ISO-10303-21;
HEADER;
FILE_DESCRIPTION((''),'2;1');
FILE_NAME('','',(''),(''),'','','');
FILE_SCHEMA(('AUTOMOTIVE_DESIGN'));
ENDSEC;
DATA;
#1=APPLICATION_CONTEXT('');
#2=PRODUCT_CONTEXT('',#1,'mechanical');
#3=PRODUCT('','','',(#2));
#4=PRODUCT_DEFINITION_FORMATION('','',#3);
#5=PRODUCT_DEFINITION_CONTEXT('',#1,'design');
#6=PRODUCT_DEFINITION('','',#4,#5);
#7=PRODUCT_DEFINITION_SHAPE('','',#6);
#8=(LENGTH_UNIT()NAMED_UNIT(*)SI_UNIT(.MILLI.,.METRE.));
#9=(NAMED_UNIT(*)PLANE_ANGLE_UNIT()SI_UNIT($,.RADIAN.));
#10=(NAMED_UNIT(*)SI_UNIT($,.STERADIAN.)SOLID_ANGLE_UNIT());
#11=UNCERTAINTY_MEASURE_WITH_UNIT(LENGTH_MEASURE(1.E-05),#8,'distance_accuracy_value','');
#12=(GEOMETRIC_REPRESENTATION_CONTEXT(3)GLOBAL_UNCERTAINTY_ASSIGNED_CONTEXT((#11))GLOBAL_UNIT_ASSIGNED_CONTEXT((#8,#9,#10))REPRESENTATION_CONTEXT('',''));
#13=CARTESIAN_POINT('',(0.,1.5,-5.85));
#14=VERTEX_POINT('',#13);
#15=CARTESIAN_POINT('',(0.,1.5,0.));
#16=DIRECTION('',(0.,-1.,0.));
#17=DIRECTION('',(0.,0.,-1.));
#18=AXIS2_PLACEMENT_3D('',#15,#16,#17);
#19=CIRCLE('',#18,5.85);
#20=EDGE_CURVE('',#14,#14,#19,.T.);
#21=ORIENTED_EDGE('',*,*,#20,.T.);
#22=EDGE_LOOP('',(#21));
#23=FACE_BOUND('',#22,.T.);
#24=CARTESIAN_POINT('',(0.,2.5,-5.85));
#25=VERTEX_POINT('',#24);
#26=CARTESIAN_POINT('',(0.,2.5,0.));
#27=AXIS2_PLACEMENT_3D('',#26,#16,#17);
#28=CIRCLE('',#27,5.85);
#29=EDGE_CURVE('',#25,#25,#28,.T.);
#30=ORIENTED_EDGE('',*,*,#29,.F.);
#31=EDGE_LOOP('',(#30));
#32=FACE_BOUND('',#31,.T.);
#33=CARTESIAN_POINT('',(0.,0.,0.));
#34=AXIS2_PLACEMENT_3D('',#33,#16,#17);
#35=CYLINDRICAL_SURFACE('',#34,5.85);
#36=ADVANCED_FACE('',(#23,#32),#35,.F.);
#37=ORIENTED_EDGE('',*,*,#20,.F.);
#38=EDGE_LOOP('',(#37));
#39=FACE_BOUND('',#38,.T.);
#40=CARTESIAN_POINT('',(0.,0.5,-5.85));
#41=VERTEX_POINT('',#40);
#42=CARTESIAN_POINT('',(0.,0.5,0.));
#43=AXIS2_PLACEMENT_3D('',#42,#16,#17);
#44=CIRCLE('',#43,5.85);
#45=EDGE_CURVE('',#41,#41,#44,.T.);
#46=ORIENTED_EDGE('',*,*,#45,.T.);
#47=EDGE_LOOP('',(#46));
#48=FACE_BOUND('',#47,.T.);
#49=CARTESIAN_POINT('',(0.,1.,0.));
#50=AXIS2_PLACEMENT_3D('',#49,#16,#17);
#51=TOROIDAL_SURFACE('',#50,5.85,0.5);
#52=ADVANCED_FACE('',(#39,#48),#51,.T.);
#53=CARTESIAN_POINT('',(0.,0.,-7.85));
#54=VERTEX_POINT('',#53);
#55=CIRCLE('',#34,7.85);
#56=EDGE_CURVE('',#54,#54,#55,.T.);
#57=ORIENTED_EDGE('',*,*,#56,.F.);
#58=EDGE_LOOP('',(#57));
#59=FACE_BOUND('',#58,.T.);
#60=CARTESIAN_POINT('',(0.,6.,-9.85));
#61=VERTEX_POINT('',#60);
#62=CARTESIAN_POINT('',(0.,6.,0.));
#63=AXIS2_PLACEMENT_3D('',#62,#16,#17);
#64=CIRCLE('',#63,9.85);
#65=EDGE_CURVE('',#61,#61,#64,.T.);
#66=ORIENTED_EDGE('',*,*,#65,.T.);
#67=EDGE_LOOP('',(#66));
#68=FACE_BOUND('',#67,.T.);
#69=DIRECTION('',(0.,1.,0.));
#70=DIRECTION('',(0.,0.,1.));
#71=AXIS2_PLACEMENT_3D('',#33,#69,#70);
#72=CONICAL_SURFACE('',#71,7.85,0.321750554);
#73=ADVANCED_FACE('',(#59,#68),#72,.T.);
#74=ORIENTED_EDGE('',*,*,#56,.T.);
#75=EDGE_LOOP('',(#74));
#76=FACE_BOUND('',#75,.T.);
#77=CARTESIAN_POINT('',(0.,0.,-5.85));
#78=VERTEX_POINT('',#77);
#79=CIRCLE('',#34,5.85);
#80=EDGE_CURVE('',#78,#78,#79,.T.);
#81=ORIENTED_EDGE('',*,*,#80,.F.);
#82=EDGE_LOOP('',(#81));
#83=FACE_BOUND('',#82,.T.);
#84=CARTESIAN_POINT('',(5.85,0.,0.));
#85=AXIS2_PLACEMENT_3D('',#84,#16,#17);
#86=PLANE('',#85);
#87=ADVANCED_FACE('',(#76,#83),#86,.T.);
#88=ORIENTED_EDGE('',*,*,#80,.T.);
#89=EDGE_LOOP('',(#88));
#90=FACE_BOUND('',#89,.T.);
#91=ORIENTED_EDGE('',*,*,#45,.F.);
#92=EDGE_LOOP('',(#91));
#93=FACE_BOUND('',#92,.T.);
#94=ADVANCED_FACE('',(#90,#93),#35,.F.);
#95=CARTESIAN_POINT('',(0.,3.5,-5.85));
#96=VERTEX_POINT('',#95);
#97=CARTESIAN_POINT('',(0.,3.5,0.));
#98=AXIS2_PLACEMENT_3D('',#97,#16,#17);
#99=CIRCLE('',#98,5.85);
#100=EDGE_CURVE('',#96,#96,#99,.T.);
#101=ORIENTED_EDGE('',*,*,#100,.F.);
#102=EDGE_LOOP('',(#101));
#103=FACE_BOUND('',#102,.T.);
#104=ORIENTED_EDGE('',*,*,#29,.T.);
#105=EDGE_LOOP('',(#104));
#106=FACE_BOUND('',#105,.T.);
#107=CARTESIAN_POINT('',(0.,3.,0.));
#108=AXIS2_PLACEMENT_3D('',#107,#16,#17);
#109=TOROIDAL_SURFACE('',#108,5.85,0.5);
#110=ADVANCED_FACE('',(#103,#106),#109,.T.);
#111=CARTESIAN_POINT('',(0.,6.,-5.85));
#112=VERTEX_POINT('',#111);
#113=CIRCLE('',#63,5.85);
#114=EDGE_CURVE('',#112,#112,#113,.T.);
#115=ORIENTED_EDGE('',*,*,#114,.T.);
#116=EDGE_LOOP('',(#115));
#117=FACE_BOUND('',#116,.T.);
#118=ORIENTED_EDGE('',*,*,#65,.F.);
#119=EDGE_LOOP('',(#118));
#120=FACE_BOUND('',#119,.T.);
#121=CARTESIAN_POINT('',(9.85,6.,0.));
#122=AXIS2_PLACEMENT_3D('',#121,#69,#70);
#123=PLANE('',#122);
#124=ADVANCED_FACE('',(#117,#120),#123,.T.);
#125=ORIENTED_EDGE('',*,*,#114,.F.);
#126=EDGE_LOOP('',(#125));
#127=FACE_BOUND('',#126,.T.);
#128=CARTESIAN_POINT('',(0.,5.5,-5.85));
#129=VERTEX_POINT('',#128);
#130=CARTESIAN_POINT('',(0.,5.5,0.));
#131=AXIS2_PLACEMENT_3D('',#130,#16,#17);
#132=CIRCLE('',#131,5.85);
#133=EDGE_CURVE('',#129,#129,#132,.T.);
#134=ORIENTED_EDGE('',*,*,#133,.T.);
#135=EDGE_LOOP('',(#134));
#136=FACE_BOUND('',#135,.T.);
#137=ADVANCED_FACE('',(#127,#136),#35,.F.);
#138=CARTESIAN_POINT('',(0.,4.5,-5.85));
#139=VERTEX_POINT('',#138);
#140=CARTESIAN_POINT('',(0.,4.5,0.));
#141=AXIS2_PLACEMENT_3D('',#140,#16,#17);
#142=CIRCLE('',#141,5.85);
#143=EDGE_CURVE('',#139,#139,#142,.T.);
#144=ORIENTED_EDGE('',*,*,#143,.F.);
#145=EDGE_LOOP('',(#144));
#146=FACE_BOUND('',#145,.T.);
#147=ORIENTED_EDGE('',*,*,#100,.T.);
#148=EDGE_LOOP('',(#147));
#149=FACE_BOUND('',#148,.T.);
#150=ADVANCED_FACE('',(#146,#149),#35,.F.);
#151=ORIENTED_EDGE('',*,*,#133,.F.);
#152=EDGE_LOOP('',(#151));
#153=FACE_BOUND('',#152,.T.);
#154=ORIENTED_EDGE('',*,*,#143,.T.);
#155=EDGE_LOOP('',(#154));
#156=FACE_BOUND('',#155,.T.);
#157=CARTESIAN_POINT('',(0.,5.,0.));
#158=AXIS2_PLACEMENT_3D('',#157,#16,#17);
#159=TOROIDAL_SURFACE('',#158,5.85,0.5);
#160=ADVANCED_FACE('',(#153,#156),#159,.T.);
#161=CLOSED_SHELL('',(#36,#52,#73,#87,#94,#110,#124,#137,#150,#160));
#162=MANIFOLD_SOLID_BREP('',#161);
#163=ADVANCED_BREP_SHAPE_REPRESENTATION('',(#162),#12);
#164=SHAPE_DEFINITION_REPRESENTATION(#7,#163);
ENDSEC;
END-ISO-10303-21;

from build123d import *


with BuildPart() as part:
    # Sketch1 → Revolve1 (revolve)
    with BuildSketch(Plane.XY):
        with BuildLine():
            Line((5.85, 0), (7.85, 0))
            Line((7.85, 0), (9.85, 6))
            Line((9.85, 6), (5.85, 6))
            Line((5.85, 6), (5.85, 5.5))
            ThreePointArc((5.85, 5.5), (5.35, 5), (5.85, 4.5))
            Line((5.85, 4.5), (5.85, 3.5))
            ThreePointArc((5.85, 3.5), (5.35, 3), (5.85, 2.5))
            Line((5.85, 2.5), (5.85, 1.5))
            ThreePointArc((5.85, 1.5), (5.35, 1), (5.85, 0.5))
            Line((5.85, 0.5), (5.85, 0))
        make_face()
    revolve(axis=Axis((0, 0, 0), (0, 1, 0)))


solid = part.part
